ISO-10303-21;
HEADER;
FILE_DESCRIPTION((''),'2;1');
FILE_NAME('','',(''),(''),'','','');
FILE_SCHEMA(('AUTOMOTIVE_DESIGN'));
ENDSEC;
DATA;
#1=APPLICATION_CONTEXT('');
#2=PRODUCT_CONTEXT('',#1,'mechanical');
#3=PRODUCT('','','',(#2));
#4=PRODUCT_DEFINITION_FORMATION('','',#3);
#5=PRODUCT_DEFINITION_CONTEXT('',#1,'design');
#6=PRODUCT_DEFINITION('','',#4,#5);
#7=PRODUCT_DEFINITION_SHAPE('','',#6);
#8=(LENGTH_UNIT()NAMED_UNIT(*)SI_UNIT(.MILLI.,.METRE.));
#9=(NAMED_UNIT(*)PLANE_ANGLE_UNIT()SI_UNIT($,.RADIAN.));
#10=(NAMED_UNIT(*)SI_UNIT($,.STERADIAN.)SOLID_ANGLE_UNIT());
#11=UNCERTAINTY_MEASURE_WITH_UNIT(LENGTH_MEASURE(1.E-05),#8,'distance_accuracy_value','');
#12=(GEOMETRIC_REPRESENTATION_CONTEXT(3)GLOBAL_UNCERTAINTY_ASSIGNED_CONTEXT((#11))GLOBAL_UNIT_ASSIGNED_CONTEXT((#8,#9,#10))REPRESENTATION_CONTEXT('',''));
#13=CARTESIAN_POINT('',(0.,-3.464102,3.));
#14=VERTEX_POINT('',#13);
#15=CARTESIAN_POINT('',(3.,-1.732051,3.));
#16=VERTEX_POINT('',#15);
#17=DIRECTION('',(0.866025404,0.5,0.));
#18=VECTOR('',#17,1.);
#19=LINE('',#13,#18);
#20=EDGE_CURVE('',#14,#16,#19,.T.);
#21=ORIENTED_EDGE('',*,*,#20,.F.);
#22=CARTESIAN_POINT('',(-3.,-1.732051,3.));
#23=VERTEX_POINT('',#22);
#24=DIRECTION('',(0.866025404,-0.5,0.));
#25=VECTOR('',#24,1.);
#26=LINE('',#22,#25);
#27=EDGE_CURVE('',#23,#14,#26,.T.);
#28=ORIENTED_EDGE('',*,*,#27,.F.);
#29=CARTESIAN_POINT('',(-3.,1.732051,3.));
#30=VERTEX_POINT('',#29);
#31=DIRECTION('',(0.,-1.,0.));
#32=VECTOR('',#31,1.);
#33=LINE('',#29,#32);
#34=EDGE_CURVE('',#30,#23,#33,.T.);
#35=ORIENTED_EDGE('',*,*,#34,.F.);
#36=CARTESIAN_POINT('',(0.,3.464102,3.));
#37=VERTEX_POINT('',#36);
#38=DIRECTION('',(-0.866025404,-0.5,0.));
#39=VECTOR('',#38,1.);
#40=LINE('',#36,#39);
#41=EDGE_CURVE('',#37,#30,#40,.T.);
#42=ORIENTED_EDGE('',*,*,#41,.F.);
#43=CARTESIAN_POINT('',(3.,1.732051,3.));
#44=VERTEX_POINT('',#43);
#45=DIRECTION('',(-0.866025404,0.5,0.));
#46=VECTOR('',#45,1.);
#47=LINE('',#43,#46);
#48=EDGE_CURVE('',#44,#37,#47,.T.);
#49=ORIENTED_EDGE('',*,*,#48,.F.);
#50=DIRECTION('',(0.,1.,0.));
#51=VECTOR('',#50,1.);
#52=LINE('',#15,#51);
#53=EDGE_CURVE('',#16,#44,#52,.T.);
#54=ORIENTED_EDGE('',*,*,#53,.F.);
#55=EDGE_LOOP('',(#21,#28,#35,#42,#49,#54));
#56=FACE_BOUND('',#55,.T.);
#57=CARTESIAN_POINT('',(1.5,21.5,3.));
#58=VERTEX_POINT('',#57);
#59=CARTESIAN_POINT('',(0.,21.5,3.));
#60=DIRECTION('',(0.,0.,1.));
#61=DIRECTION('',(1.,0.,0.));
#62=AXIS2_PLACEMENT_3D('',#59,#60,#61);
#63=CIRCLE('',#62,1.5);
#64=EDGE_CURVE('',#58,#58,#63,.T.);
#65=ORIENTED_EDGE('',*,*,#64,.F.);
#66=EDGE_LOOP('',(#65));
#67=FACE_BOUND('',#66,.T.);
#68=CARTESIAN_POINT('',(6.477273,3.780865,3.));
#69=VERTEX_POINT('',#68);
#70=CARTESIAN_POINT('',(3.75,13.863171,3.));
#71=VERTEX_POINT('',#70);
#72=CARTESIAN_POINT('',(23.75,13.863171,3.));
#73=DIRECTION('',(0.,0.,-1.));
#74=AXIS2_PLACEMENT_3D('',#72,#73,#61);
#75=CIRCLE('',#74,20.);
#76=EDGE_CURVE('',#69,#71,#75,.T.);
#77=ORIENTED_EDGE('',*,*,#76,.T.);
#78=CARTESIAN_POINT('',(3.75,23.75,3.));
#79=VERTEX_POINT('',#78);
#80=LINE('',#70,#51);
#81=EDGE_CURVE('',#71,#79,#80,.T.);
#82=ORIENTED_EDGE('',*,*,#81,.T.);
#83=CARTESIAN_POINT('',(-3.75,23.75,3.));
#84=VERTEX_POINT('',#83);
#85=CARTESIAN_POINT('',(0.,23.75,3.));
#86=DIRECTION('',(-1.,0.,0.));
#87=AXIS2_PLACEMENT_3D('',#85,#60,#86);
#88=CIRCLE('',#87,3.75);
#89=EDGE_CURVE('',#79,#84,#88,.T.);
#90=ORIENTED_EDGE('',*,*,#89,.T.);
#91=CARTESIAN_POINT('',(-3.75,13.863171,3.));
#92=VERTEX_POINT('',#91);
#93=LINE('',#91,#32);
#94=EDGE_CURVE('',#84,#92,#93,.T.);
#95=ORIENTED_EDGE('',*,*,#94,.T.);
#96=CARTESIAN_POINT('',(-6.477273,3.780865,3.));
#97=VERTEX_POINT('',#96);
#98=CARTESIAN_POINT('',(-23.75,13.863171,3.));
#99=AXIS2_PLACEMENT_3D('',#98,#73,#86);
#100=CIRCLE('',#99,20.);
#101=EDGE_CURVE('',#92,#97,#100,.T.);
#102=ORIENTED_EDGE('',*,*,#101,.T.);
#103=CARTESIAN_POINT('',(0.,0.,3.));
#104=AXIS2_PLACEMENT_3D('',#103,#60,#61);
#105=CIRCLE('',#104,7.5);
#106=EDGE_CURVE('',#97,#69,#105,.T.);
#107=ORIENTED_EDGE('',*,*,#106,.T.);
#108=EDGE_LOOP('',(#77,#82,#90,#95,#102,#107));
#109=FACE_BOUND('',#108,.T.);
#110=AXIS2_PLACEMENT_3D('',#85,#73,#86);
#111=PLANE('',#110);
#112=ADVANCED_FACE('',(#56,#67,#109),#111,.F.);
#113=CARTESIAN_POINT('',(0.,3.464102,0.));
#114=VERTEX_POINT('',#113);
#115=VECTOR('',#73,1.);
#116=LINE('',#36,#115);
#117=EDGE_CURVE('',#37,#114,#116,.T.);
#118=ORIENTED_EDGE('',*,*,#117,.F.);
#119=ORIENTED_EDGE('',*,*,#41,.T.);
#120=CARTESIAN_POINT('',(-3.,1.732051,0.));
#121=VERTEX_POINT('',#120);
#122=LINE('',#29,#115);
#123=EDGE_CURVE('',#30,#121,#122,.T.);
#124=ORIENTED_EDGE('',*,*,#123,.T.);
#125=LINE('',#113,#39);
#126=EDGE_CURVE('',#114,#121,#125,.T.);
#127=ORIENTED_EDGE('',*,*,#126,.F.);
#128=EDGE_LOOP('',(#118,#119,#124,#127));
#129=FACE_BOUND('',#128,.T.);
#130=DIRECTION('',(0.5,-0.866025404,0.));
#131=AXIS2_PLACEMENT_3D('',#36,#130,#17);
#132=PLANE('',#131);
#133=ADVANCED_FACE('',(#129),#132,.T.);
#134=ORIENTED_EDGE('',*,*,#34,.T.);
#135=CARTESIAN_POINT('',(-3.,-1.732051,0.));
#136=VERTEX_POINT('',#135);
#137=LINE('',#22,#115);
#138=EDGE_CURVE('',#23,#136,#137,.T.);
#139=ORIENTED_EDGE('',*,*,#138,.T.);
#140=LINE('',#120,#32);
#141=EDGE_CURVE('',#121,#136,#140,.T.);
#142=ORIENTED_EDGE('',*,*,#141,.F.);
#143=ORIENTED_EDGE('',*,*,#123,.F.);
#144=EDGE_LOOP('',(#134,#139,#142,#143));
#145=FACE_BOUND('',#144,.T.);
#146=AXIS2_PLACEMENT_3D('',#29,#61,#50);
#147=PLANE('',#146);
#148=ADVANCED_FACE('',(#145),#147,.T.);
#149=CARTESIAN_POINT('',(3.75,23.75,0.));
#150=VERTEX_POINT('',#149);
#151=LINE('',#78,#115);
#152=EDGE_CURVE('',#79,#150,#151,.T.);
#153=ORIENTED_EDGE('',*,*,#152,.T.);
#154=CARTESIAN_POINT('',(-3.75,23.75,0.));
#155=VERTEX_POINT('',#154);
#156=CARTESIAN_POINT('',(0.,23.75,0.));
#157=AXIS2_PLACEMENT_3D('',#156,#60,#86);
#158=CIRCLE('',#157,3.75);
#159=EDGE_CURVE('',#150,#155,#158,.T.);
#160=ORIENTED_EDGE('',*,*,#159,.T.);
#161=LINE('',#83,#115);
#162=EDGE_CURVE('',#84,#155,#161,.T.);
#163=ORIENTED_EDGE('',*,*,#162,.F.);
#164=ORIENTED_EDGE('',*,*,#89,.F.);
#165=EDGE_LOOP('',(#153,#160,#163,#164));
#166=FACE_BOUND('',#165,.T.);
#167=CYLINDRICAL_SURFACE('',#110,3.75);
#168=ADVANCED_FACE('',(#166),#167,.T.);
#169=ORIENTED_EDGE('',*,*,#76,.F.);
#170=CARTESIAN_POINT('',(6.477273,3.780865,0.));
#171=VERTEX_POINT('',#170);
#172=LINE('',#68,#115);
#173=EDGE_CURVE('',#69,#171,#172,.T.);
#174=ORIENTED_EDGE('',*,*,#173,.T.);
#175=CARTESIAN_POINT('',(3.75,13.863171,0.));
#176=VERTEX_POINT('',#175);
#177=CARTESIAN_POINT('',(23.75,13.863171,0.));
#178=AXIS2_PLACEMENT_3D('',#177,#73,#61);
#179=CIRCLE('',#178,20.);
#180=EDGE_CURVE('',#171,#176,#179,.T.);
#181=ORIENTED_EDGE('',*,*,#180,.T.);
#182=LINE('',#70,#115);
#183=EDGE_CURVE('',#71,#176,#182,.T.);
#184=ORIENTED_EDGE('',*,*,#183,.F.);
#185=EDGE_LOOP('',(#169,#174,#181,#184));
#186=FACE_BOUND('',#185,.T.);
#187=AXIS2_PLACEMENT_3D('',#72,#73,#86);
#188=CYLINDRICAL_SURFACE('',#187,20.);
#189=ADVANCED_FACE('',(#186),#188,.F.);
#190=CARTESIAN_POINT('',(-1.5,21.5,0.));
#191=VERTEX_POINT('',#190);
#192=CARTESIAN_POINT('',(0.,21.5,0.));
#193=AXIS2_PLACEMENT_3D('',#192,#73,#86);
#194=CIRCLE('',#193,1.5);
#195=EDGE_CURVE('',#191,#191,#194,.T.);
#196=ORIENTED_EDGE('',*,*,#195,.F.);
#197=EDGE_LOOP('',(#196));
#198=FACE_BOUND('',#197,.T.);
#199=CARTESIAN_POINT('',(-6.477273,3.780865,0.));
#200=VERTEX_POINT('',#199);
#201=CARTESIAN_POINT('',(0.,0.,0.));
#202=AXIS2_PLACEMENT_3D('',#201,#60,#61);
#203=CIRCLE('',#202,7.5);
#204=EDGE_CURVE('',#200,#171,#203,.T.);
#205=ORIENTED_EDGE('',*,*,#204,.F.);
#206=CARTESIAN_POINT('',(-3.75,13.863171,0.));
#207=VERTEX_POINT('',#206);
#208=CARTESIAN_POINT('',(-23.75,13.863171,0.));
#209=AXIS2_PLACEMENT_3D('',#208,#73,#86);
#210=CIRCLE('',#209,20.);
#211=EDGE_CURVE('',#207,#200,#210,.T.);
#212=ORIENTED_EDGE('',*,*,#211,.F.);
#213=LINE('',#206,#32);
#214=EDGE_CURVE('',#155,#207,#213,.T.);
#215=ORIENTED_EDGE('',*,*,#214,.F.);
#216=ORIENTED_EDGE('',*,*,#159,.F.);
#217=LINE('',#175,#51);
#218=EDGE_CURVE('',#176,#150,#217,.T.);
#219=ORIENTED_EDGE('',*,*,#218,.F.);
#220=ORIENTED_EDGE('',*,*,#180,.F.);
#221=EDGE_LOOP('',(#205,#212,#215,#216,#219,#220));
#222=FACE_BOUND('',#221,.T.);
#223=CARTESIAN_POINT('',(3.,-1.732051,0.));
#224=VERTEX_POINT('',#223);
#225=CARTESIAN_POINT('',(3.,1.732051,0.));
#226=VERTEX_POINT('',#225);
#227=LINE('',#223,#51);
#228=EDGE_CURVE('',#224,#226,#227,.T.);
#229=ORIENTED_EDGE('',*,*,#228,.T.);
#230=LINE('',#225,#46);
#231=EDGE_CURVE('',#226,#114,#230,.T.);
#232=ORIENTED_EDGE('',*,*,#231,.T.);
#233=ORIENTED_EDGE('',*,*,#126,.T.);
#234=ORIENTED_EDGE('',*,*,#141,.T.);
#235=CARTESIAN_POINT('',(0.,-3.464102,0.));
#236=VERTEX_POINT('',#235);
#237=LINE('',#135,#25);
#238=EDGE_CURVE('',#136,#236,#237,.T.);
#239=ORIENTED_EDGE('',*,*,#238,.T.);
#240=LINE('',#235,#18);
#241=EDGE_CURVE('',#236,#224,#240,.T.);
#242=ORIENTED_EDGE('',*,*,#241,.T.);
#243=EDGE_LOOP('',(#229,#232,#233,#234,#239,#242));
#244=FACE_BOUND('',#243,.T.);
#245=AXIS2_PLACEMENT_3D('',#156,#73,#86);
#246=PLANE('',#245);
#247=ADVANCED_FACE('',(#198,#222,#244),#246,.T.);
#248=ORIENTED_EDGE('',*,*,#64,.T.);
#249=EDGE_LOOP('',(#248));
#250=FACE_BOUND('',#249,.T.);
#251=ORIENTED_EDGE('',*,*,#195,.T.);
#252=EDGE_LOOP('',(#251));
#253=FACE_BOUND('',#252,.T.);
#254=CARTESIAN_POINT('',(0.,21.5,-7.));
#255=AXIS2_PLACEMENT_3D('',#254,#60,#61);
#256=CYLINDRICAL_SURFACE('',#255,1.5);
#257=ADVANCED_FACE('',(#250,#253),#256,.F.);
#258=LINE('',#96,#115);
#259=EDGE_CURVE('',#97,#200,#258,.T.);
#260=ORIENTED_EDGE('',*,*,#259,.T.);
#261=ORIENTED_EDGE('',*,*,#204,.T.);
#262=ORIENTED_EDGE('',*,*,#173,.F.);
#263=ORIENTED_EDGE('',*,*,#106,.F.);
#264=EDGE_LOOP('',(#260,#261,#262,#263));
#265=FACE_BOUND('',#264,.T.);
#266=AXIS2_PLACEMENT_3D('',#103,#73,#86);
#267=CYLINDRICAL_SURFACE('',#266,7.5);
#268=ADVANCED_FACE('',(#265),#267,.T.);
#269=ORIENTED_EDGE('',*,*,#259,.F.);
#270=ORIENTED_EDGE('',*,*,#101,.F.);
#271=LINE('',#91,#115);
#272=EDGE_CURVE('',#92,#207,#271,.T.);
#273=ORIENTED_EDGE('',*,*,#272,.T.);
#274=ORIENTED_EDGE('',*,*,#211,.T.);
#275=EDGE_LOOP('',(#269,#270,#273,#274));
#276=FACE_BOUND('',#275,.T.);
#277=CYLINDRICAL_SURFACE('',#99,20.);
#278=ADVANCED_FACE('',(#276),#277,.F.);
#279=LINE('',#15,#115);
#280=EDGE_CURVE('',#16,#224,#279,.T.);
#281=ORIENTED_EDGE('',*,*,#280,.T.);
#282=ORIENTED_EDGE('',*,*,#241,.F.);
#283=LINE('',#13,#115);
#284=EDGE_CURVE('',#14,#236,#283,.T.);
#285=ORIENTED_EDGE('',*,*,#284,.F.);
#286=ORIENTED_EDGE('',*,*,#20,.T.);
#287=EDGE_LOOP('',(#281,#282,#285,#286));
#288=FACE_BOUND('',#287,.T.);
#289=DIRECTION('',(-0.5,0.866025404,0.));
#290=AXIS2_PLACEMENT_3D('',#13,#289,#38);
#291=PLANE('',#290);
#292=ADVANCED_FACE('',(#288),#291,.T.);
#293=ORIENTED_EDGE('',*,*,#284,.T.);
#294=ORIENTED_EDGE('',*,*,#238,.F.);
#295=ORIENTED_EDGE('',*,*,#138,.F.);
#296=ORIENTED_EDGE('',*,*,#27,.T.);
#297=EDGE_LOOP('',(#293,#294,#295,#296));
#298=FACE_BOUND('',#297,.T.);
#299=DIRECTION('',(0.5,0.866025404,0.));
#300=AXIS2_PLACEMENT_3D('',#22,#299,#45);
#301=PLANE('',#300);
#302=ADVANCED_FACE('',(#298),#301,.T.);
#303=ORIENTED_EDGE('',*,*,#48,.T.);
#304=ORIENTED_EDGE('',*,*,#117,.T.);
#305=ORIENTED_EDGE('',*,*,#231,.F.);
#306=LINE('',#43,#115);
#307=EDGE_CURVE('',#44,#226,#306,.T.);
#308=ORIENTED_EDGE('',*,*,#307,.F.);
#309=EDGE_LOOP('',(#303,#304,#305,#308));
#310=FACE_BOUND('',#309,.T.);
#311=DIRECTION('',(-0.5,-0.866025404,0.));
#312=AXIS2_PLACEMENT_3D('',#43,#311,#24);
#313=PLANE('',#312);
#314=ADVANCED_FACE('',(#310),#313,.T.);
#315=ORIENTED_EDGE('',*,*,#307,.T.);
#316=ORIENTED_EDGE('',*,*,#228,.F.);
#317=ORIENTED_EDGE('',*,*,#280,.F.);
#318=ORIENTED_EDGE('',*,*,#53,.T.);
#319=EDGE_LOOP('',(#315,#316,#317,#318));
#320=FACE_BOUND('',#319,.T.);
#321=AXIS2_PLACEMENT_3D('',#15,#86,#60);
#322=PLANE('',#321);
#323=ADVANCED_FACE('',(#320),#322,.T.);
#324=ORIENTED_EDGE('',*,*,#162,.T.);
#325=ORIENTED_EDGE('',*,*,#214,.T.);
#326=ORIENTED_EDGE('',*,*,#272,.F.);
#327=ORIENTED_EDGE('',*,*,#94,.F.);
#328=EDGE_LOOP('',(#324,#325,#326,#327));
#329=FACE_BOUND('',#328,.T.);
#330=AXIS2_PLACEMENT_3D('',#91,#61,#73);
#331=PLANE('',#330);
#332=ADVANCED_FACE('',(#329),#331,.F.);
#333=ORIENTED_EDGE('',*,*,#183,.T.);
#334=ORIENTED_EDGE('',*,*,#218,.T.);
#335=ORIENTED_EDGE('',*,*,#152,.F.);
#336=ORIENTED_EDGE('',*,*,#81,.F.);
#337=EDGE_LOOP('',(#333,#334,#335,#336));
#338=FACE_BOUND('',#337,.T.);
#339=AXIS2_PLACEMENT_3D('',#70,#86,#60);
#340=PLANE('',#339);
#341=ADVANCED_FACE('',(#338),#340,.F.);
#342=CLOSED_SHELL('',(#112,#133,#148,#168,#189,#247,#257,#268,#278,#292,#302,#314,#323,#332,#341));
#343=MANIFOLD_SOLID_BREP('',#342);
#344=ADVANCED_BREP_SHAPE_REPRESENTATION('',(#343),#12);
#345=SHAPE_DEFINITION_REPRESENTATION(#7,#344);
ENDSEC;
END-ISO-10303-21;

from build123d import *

# Parameters (mm, degrees)
BOSS_EXTRUDE1_DEPTH = 3
SKETCH3_R           = 1.5
CUT_EXTRUDE1_DEPTH  = 10


with BuildPart() as part:
    # Sketch1 → Boss-Extrude1 (new body)
    with BuildSketch(Plane.XY):
        with BuildLine():
            Line((-3.75, 13.863170633), (-3.75, 23.75))
            ThreePointArc((-3.75, 23.75), (0, 27.5), (3.75, 23.75))
            Line((3.75, 23.75), (3.75, 13.863170633))
            ThreePointArc((3.75, 13.863170633), (4.443854017, 8.640840954), (6.477272727, 3.780864718))
            ThreePointArc((6.477272727, 3.780864718), (0, -7.5), (-6.477272727, 3.780864718))
            ThreePointArc((-6.477272727, 3.780864718), (-4.443854017, 8.640840954), (-3.75, 13.863170633))
        make_face()
        Polygon((0, 3.464101615), (-3, 1.732050808), (-3, -1.732050808), (0, -3.464101615), (3, -1.732050808), (3, 1.732050808), align=None, mode=Mode.SUBTRACT)
    extrude(amount=BOSS_EXTRUDE1_DEPTH)

    # Sketch3 → Cut-Extrude1 (cut)
    with BuildSketch(Plane.XY.offset(3)):
        with Locations((0, 21.5)):
            Circle(SKETCH3_R)
    extrude(amount=-CUT_EXTRUDE1_DEPTH, mode=Mode.SUBTRACT)


solid = part.part
